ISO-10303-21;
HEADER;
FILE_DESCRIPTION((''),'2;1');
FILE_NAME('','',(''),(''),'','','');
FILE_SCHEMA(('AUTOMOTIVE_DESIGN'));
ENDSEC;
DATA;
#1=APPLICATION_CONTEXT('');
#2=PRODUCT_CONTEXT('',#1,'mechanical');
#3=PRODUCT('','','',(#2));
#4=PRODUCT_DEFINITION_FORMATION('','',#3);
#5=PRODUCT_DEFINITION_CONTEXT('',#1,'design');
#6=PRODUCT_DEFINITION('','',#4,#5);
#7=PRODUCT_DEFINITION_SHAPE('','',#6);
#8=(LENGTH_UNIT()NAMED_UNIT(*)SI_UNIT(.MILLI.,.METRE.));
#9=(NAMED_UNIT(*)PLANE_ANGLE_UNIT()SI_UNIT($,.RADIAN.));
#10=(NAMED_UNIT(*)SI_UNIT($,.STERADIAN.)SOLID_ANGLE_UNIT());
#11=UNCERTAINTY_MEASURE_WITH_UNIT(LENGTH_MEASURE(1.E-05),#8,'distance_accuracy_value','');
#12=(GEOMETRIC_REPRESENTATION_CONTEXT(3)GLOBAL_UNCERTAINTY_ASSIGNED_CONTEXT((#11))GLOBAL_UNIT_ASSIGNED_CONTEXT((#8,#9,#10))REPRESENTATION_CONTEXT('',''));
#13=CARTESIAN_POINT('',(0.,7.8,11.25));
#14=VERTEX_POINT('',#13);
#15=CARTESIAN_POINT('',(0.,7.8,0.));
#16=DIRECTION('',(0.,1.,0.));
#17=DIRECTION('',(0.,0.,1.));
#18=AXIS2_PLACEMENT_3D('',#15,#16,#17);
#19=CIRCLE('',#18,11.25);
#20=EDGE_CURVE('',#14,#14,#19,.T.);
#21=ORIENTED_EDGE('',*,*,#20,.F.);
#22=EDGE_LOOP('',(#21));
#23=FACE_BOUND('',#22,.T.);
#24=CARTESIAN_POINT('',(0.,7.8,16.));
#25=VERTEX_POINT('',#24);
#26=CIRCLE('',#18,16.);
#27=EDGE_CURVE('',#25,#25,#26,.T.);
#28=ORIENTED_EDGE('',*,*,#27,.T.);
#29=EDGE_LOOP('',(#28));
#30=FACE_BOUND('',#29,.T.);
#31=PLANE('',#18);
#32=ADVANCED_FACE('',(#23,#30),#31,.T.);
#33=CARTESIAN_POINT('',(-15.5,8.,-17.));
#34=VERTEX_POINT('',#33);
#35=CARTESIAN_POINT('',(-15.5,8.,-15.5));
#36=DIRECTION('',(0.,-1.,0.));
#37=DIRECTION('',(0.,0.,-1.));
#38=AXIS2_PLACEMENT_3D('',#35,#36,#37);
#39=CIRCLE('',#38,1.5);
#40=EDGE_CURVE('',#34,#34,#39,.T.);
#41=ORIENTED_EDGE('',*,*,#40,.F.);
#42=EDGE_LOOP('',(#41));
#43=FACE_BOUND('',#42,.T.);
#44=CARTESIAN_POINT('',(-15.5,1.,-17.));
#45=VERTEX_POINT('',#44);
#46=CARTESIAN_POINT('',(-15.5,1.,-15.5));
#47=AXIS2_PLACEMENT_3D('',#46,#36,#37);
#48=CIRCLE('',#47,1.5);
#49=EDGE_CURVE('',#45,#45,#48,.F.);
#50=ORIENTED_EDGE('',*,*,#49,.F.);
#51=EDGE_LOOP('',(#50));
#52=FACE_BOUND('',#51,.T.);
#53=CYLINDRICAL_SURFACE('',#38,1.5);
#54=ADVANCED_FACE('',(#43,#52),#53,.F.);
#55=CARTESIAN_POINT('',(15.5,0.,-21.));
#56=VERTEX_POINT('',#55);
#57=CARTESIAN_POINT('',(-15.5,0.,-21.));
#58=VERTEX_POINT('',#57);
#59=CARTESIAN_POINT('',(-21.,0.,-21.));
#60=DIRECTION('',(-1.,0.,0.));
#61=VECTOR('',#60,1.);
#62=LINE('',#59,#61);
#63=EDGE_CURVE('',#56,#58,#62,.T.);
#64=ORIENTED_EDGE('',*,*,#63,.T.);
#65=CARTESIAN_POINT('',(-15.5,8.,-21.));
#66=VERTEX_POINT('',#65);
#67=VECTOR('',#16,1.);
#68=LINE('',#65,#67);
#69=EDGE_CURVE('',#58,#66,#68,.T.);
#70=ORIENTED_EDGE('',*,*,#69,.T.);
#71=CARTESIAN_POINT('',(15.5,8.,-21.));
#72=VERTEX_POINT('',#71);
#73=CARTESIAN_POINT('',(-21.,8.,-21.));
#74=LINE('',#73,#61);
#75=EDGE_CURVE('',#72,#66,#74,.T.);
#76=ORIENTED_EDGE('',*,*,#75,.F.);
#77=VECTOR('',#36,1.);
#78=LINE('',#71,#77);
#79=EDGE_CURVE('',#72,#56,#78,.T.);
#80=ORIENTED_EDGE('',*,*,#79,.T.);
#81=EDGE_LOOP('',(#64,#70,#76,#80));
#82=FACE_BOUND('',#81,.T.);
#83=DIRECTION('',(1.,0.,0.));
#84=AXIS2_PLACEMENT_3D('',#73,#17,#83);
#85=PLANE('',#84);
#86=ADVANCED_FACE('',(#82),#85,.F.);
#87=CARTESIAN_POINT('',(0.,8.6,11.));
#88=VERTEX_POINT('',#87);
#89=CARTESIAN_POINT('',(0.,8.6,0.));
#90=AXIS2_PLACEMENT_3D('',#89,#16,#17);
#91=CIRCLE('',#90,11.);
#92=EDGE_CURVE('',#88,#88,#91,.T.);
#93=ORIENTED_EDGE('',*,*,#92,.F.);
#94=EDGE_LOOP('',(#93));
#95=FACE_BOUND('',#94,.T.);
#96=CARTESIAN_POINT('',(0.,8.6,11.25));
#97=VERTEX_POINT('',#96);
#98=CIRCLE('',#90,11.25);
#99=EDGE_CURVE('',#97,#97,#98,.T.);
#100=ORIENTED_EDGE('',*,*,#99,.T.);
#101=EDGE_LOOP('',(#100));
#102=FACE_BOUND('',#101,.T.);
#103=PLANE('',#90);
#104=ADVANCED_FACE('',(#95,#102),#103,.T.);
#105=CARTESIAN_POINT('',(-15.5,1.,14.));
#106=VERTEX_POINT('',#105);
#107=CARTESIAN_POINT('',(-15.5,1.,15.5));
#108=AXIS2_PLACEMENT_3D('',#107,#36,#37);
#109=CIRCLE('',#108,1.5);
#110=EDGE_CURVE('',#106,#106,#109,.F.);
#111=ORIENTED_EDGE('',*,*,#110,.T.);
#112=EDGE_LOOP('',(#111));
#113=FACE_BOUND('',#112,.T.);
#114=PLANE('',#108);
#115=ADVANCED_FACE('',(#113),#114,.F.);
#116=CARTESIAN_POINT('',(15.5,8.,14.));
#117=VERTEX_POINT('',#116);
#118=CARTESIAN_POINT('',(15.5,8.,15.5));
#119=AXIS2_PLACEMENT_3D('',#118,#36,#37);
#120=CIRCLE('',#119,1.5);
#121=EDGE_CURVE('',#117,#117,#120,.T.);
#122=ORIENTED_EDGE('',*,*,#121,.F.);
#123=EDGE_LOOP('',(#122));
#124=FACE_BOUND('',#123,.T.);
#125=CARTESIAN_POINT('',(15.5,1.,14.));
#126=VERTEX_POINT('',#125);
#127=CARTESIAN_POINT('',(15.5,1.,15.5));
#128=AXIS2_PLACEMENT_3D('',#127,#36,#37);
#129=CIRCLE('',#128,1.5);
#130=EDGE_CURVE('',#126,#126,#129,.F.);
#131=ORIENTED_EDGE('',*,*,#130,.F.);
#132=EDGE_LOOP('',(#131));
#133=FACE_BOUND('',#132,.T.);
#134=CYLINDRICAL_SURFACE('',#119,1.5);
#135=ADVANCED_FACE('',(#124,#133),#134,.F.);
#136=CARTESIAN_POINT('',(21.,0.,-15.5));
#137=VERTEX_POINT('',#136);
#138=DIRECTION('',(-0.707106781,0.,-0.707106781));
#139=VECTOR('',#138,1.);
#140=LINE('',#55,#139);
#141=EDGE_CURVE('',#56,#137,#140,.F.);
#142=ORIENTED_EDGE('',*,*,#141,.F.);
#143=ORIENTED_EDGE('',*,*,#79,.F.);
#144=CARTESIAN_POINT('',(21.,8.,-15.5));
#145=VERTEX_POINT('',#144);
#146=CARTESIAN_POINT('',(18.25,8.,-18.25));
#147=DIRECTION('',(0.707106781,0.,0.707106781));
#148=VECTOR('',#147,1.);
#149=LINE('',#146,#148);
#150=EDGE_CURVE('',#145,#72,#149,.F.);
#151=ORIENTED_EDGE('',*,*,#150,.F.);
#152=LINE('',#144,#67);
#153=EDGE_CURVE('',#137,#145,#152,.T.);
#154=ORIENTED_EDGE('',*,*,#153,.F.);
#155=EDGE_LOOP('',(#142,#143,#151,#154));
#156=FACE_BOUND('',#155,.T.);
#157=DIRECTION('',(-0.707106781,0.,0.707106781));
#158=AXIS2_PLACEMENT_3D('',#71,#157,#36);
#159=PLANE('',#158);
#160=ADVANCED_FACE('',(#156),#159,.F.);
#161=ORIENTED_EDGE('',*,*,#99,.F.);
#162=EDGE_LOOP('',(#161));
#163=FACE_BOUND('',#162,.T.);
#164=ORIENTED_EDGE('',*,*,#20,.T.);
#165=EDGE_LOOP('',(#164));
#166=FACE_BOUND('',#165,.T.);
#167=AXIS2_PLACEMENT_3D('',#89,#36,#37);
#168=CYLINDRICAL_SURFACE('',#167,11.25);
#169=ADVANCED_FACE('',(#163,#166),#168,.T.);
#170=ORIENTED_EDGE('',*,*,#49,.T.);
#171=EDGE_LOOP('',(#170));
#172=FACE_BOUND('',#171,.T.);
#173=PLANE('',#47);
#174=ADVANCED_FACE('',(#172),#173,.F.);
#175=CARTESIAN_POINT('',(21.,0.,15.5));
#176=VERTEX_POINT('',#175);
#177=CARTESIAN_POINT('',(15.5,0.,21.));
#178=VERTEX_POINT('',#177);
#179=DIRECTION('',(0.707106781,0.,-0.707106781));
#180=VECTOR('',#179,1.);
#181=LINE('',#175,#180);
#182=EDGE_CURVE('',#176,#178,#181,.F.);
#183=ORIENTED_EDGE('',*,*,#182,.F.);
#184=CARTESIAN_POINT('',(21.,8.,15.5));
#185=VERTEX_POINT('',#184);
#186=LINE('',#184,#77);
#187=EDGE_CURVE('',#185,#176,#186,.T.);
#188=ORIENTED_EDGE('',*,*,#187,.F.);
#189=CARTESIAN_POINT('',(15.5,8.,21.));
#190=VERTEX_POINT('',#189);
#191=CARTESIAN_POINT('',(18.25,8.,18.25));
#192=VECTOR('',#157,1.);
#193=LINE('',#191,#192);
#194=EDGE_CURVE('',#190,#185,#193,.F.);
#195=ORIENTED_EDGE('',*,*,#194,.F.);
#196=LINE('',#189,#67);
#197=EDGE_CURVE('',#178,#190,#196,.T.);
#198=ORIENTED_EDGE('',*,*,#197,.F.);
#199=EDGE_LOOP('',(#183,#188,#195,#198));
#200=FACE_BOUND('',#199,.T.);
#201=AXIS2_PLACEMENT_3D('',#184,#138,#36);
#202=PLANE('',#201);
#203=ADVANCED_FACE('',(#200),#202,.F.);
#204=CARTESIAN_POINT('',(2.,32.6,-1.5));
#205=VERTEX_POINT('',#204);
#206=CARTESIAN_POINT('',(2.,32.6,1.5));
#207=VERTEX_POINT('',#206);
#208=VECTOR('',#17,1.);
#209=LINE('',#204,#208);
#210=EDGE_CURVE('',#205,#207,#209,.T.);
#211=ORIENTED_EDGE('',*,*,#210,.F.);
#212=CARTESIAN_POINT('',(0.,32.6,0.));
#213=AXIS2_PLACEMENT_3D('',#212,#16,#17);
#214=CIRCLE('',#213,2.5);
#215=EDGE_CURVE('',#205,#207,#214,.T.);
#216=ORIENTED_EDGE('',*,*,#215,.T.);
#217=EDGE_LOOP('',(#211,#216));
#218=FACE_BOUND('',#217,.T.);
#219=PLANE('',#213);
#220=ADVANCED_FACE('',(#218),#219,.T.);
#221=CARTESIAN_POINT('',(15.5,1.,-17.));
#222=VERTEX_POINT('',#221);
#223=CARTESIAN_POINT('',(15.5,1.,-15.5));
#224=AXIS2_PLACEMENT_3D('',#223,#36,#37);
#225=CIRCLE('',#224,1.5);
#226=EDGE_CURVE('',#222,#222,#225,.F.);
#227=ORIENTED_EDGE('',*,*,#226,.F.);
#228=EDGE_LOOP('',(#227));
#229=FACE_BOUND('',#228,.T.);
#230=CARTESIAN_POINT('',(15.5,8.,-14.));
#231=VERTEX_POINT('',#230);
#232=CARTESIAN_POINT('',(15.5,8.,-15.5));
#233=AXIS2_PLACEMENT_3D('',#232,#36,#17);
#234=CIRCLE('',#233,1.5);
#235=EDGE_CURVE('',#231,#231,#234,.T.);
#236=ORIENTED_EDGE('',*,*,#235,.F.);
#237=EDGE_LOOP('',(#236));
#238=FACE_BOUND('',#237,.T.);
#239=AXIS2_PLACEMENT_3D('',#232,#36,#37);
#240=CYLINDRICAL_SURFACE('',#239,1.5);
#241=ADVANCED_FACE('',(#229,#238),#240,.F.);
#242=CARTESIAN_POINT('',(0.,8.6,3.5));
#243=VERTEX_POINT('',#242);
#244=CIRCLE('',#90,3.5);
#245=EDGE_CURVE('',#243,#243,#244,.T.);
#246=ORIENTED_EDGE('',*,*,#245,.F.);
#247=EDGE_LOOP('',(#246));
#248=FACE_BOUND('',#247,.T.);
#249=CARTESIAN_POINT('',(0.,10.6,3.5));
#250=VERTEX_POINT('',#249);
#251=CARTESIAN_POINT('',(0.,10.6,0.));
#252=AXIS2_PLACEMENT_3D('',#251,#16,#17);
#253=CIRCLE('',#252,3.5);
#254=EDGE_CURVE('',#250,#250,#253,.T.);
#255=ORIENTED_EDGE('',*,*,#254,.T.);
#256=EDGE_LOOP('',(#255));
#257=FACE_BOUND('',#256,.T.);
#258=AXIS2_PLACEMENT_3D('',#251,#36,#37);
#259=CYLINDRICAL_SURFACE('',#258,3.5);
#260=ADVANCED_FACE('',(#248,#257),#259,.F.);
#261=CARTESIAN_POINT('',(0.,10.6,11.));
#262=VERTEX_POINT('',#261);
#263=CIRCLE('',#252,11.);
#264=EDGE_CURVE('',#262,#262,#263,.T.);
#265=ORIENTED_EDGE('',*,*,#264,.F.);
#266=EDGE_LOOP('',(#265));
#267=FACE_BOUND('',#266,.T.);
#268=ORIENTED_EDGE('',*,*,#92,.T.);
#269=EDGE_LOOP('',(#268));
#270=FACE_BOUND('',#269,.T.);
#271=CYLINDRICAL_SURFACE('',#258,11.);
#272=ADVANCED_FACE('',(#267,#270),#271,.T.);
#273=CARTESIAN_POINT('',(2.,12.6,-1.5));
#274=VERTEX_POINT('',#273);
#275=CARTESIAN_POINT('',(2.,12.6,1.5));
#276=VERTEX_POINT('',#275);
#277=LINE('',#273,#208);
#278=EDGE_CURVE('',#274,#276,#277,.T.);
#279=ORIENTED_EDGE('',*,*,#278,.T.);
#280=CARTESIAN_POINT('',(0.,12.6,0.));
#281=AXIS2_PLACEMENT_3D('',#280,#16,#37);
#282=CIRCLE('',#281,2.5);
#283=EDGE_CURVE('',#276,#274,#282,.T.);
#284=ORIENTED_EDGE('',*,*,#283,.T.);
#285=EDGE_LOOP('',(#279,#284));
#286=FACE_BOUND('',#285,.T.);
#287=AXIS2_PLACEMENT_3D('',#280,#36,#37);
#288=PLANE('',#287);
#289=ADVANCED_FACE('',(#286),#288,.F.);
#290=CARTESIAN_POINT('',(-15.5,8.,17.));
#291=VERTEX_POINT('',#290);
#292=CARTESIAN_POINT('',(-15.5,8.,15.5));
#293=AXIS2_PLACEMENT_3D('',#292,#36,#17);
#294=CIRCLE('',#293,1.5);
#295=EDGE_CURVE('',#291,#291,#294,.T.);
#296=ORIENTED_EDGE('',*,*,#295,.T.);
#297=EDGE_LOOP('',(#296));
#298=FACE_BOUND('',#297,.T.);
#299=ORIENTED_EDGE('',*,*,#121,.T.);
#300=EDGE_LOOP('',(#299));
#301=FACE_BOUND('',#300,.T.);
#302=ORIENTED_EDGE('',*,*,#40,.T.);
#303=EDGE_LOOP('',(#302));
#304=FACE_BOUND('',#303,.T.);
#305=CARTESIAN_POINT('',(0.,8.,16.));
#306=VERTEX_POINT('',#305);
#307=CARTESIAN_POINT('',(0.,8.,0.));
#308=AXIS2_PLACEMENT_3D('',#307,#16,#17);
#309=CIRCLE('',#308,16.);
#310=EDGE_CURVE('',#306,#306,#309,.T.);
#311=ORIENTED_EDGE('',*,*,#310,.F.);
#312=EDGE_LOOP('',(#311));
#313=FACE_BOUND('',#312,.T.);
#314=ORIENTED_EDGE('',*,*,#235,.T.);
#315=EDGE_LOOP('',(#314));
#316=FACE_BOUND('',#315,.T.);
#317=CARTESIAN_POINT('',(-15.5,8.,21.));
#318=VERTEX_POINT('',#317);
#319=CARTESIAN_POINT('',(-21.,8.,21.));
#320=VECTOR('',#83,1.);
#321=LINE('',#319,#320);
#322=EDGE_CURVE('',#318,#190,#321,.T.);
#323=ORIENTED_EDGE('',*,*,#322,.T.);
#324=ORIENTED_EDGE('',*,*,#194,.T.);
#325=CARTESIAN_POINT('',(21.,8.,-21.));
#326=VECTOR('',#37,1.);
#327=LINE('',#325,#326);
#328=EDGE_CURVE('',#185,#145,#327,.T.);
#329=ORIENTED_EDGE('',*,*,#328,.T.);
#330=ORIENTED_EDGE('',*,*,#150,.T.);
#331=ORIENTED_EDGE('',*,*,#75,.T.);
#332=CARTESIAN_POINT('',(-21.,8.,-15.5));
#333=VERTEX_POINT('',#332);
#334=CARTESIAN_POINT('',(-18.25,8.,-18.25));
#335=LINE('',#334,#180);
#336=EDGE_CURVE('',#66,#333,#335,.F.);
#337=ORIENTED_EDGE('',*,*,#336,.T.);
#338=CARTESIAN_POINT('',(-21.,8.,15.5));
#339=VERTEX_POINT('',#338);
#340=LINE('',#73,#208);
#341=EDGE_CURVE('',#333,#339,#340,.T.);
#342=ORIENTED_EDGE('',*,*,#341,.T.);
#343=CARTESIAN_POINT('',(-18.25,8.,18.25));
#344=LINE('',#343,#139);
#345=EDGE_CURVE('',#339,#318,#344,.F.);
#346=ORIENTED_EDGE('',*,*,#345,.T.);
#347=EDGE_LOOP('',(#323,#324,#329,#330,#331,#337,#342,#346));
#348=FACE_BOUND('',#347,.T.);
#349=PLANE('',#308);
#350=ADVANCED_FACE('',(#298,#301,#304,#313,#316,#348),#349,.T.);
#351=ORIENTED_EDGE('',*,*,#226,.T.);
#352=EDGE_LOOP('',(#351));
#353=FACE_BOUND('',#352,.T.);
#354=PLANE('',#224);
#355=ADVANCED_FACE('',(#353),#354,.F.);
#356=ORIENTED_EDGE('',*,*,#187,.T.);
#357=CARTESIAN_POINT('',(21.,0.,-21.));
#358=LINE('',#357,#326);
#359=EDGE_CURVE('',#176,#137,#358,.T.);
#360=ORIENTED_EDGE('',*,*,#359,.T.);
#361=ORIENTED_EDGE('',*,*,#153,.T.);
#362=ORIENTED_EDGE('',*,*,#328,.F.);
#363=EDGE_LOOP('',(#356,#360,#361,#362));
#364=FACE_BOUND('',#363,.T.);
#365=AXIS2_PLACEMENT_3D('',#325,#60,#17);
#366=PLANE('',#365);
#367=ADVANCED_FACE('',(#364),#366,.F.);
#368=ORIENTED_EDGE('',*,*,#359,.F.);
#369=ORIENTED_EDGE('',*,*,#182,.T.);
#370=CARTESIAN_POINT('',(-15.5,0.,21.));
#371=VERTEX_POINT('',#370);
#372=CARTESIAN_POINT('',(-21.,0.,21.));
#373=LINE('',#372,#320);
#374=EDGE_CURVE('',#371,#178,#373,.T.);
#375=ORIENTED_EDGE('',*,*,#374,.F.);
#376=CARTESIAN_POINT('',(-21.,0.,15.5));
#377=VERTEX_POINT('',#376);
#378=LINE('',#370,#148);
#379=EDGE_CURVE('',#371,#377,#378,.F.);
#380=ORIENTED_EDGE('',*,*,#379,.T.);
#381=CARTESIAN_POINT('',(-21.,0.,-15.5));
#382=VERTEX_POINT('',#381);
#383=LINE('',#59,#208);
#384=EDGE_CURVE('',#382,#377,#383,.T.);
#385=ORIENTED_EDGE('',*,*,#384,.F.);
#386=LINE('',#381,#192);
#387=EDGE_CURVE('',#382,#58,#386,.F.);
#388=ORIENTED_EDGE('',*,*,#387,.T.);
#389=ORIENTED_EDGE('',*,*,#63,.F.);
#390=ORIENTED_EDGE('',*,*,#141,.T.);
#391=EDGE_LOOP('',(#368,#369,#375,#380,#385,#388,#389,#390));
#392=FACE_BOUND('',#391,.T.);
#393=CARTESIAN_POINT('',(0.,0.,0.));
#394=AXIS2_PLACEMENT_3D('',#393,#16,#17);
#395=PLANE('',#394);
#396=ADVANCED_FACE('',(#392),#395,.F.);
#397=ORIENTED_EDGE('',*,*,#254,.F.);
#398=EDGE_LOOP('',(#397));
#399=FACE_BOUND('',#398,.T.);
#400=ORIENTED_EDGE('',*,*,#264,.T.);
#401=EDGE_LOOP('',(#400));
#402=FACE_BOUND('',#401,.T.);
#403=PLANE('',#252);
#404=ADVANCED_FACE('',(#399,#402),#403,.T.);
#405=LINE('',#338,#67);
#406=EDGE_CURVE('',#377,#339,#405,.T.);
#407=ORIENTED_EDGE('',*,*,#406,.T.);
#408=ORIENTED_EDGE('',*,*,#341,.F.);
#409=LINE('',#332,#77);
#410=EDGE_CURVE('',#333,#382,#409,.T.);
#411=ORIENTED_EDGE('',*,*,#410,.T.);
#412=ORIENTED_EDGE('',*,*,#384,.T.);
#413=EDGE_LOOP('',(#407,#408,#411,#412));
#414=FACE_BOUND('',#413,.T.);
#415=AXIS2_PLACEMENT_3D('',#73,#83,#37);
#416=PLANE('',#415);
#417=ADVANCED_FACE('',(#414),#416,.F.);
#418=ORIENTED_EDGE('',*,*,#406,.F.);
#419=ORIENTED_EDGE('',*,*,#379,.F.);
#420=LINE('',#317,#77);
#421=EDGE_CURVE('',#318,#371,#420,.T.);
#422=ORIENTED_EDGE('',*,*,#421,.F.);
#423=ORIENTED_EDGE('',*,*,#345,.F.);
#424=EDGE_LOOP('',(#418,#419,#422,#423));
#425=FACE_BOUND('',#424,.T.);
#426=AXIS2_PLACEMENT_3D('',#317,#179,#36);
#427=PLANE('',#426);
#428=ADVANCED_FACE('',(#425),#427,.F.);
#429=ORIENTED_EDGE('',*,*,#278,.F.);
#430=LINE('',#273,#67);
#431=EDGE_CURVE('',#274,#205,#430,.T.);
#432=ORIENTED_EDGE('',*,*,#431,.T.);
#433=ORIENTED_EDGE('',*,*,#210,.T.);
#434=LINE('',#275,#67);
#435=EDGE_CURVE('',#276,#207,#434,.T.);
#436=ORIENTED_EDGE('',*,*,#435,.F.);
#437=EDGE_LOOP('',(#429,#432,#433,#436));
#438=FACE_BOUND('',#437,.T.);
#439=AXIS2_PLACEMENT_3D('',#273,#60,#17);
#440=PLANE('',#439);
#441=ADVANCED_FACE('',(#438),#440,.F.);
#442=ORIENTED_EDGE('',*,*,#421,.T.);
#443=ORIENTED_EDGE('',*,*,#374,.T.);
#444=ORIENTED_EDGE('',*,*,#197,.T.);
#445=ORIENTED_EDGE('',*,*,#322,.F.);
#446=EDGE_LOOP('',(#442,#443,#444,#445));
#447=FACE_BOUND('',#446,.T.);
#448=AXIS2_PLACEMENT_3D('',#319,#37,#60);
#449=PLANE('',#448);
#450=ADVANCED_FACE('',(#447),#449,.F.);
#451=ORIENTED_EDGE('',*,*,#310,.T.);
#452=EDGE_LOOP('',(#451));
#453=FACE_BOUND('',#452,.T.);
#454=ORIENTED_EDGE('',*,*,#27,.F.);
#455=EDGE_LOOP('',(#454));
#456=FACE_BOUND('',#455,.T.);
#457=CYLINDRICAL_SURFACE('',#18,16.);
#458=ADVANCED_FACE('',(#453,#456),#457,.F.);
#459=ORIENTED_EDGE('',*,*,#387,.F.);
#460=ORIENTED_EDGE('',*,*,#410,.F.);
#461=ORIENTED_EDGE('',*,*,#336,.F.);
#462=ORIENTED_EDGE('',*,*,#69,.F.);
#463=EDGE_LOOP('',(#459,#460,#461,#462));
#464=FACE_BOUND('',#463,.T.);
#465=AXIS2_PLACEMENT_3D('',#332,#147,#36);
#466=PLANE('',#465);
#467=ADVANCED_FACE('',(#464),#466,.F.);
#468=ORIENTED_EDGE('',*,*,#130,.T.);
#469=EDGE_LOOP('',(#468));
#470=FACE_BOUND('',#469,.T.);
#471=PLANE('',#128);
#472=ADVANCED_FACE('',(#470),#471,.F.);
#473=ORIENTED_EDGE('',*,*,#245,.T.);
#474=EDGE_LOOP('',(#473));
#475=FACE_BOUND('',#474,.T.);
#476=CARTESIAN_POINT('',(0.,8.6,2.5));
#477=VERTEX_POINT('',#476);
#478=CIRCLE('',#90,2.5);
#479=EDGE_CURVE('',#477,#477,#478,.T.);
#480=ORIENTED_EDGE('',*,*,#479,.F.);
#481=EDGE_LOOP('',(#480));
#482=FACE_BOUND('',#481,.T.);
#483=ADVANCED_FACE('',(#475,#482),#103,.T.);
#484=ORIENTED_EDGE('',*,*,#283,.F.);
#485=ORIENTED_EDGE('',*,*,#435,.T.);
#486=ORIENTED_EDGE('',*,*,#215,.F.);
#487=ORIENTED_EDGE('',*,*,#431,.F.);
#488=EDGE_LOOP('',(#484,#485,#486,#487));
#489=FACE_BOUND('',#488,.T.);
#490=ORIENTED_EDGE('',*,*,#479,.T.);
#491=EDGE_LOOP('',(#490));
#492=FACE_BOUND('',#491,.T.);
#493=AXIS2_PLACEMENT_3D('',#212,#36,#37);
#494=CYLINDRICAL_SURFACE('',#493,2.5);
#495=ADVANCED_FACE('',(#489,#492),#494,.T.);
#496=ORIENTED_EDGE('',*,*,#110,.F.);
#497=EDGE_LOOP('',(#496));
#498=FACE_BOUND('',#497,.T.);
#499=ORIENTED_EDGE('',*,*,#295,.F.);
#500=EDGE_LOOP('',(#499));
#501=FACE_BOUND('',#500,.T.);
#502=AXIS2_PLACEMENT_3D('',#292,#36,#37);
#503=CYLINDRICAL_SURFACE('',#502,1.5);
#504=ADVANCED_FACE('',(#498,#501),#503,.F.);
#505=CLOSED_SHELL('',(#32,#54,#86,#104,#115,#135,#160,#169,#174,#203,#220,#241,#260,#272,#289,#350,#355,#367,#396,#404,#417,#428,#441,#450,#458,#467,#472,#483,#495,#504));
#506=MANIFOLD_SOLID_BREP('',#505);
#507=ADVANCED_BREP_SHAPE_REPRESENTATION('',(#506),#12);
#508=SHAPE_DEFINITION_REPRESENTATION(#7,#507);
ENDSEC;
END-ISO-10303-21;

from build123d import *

# Parameters (mm, degrees)
SKETCH1_W           = 42
SKETCH1_H           = 42
NEMA_17_DEPTH       = 8
CHAMFER1_SIZE       = 5.5
SKETCH2_R           = 1.5
M3_BOLT_HOLES_DEPTH = 31.757112998
SKETCH3_R           = 16
CUT_EXTRUDE1_DEPTH  = 0.2
SKETCH4_R           = 11.25
BOSS_EXTRUDE1_DEPTH = 0.8
SKETCH5_R           = 11
BOSS_EXTRUDE2_DEPTH = 2
SKETCH6_R           = 3.5
CUT_EXTRUDE2_DEPTH  = 31.918602814
SKETCH7_R           = 2.5
BOSS_EXTRUDE3_DEPTH = 24
CUT_EXTRUDE3_START  = -20
CUT_EXTRUDE3_DEPTH  = 20
SKETCH10_R          = 1.5
BOSS_EXTRUDE4_DEPTH = 1


with BuildPart() as part:
    # Sketch1 → Nema 17 (new body)
    with BuildSketch(Plane(origin=(0, 0, 0), x_dir=(1, 0, 0), z_dir=(0, 1, 0))):
        Rectangle(SKETCH1_W, SKETCH1_H)
    extrude(amount=NEMA_17_DEPTH)

    # Chamfer1
    chamfer1_edges = [part.edges().sort_by_distance(p)[0] for p in [
        (21, 4, 21),
        (-21, 4, 21),
        (-21, 4, -21),
        (21, 4, -21),
    ]]
    chamfer(chamfer1_edges, length=CHAMFER1_SIZE)

    # Sketch2 → M3 Bolt Holes (cut, through all)
    with BuildSketch(Plane.XZ):
        with Locations(Location((-15.5, -15.5, 0), (0, 0, 270))):
            Circle(SKETCH2_R)
        with Locations(Location((15.5, -15.5, 0), (0, 0, 90))):
            Circle(SKETCH2_R)
        with Locations(Location((-15.5, 15.5, 0), (0, 0, 90))):
            Circle(SKETCH2_R)
        with Locations(Location((15.5, 15.5, 0), (0, 0, 270))):
            Circle(SKETCH2_R)
    extrude(amount=-M3_BOLT_HOLES_DEPTH, mode=Mode.SUBTRACT)

    # Sketch3 → Cut-Extrude1 (cut)
    with BuildSketch(Plane(origin=(0, 8, 0), x_dir=(1, 0, 0), z_dir=(0, 1, 0))):
        with Locations(Location((0, 0, 0), (0, 0, 270))):
            Circle(SKETCH3_R)
    extrude(amount=-CUT_EXTRUDE1_DEPTH, mode=Mode.SUBTRACT)

    # Sketch4 → Boss-Extrude1 (add)
    with BuildSketch(Plane(origin=(0, 7.8, 0), x_dir=(1, 0, 0), z_dir=(0, 1, 0))):
        with Locations(Location((0, 0, 0), (0, 0, 270))):
            Circle(SKETCH4_R)
    extrude(amount=BOSS_EXTRUDE1_DEPTH)

    # Sketch5 → Boss-Extrude2 (add)
    with BuildSketch(Plane(origin=(0, 8.6, 0), x_dir=(1, 0, 0), z_dir=(0, 1, 0))):
        with Locations(Location((0, 0, 0), (0, 0, 270))):
            Circle(SKETCH5_R)
    extrude(amount=BOSS_EXTRUDE2_DEPTH)

    # Sketch6 → Cut-Extrude2 (cut, through all)
    with BuildSketch(Plane(origin=(0, 8.6, 0), x_dir=(1, 0, 0), z_dir=(0, 1, 0))):
        with Locations(Location((0, 0, 0), (0, 0, 270))):
            Circle(SKETCH6_R)
    extrude(amount=CUT_EXTRUDE2_DEPTH, mode=Mode.SUBTRACT)

    # Sketch7 → Boss-Extrude3 (add)
    with BuildSketch(Plane(origin=(0, 8.6, 0), x_dir=(1, 0, 0), z_dir=(0, 1, 0))):
        with Locations(Location((0, 0, 0), (0, 0, 270))):
            Circle(SKETCH7_R)
    extrude(amount=BOSS_EXTRUDE3_DEPTH)

    # Sketch9 → Cut-Extrude3 (cut)
    with BuildSketch(Plane(origin=(0, 32.6, 0), x_dir=(1, 0, 0), z_dir=(0, 1, 0)).offset(CUT_EXTRUDE3_START)):
        with BuildLine():
            Line((2, 1.5), (2, -1.5))
            ThreePointArc((2, -1.5), (2.5, 0), (2, 1.5))
        make_face()
    extrude(amount=CUT_EXTRUDE3_DEPTH, mode=Mode.SUBTRACT)

    # Sketch10 → Boss-Extrude4 (add)
    with BuildSketch(Plane.XZ):
        with Locations(Location((15.5, 15.5, 0), (0, 0, 270))):
            Circle(SKETCH10_R)
        with Locations(Location((-15.5, -15.5, 0), (0, 0, 270))):
            Circle(SKETCH10_R)
        with Locations(Location((15.5, -15.5, 0), (0, 0, 270))):
            Circle(SKETCH10_R)
        with Locations(Location((-15.5, 15.5, 0), (0, 0, 270))):
            Circle(SKETCH10_R)
    extrude(amount=-BOSS_EXTRUDE4_DEPTH)


solid = part.part
